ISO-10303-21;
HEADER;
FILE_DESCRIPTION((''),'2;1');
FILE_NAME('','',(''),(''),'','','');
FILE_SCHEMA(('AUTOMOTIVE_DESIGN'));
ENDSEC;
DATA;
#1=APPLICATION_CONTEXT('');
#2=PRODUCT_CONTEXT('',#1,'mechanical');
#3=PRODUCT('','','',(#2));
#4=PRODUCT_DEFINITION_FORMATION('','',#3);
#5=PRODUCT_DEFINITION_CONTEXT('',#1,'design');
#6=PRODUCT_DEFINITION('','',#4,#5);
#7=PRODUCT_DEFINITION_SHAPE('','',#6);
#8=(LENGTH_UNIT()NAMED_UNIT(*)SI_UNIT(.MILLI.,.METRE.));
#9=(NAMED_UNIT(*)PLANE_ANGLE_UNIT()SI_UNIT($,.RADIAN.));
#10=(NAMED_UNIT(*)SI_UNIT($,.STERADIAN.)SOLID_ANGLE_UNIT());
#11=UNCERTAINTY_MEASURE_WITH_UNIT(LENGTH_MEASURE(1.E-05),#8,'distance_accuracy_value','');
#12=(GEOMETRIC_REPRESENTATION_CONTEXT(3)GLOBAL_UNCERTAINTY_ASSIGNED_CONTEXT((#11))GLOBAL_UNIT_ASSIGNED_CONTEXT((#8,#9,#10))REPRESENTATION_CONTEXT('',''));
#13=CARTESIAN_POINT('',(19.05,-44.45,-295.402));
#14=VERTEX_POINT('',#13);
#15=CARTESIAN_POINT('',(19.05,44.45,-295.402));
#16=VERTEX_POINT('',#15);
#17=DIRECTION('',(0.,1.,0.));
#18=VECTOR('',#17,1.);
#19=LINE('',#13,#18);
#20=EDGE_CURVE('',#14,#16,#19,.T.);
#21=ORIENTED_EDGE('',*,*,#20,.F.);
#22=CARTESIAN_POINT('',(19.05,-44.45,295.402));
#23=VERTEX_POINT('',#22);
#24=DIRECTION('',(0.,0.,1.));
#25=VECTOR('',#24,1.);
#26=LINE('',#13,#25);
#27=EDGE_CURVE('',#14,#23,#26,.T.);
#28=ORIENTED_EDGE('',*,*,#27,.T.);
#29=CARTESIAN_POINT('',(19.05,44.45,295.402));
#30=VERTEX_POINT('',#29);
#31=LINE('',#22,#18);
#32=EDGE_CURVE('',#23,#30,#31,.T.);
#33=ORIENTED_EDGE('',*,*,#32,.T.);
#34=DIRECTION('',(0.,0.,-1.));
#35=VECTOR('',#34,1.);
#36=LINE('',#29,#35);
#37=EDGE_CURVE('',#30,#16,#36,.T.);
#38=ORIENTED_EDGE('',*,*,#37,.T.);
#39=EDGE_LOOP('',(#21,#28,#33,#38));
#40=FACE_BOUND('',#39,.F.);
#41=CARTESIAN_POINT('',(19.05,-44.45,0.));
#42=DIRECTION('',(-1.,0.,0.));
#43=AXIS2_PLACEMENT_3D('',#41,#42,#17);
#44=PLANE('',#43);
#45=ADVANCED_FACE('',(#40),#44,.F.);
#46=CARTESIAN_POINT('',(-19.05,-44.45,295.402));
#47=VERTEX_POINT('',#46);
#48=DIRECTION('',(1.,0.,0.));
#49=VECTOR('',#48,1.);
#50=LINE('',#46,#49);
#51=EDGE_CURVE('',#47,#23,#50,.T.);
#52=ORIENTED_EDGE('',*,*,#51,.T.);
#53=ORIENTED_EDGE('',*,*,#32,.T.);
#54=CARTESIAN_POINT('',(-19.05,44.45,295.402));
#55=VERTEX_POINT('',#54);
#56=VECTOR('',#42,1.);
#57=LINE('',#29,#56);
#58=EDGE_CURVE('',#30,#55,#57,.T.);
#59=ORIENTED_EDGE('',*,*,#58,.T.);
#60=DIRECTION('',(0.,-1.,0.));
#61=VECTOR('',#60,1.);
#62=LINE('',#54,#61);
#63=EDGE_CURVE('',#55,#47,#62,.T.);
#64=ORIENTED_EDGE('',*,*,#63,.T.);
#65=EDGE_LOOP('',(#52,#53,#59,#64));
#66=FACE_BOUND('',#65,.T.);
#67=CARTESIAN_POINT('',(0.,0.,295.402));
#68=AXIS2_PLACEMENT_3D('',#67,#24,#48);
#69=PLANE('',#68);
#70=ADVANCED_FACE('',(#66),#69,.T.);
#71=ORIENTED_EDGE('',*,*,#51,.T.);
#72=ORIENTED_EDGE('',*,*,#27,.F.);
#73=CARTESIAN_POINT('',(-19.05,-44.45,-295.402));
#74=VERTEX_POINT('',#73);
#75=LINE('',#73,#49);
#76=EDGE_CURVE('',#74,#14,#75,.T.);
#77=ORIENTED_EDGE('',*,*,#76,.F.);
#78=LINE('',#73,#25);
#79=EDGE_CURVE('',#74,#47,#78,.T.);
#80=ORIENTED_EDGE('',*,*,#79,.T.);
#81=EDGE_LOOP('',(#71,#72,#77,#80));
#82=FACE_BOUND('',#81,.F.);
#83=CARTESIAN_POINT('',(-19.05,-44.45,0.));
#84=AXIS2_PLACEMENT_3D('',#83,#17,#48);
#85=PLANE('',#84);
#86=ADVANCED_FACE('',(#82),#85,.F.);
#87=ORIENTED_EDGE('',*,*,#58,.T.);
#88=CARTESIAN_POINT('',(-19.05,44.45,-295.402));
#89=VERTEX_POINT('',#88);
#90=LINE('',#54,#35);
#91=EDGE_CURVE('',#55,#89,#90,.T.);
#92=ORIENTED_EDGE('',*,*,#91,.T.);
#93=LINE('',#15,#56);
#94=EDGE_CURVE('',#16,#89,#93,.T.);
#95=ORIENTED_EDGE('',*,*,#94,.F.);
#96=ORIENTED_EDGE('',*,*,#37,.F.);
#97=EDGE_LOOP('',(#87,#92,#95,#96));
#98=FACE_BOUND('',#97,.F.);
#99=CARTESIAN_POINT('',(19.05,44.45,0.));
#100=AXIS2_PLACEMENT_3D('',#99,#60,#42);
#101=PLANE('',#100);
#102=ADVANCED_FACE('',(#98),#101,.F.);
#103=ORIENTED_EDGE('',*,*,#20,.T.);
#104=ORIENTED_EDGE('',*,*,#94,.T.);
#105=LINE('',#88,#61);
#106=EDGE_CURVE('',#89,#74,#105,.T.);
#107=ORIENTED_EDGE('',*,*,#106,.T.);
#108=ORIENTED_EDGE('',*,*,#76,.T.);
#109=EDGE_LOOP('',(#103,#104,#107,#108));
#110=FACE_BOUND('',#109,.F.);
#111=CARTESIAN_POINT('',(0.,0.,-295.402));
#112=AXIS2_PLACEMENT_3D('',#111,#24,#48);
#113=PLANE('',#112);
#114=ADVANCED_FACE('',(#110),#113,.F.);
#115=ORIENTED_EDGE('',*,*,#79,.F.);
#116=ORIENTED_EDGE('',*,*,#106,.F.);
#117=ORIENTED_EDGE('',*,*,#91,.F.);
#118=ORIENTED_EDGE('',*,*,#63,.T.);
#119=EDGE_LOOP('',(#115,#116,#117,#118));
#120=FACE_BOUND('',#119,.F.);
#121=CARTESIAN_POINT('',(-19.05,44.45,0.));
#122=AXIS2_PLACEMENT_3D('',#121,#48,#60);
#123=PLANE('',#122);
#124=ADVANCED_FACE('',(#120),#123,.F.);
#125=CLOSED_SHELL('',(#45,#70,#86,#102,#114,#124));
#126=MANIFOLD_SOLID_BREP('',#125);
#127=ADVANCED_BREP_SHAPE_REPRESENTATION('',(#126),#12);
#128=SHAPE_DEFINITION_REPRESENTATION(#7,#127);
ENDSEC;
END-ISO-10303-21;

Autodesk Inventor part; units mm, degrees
ref_plane "YZ Plane" through (0, 0, 0) normal (1, 0, 0) x (0, 1, 0)
ref_plane "XZ Plane" through (0, 0, 0) normal (0, 1, 0) x (-1, 0, 0)
ref_plane "XY Plane" through (0, 0, 0) normal (0, 0, 1) x (1, 0, 0)
sketch "Sketch1" plane through (0, 0, 0) normal (0, 0, 1) x (1, 0, 0)
  line L0 (-19.05, -44.45) -> (19.05, -44.45)
  line L1 (19.05, -44.45) -> (19.05, 44.45)
  line L2 (19.05, 44.45) -> (-19.05, 44.45)
  line L3 (-19.05, 44.45) -> (-19.05, -44.45)
  line L4 (-19.05, -44.45) -> (19.05, 44.45) construction
  line L5 (19.05, -44.45) -> (-19.05, 44.45) construction
  point P0 (0, 0)
  dimension "d0" = 38.1
  dimension "d1" = 88.9
extrude "Extrusion1" add sketch "Sketch1" along normal mid plane 590.804
properties part number "Support 2x4"
